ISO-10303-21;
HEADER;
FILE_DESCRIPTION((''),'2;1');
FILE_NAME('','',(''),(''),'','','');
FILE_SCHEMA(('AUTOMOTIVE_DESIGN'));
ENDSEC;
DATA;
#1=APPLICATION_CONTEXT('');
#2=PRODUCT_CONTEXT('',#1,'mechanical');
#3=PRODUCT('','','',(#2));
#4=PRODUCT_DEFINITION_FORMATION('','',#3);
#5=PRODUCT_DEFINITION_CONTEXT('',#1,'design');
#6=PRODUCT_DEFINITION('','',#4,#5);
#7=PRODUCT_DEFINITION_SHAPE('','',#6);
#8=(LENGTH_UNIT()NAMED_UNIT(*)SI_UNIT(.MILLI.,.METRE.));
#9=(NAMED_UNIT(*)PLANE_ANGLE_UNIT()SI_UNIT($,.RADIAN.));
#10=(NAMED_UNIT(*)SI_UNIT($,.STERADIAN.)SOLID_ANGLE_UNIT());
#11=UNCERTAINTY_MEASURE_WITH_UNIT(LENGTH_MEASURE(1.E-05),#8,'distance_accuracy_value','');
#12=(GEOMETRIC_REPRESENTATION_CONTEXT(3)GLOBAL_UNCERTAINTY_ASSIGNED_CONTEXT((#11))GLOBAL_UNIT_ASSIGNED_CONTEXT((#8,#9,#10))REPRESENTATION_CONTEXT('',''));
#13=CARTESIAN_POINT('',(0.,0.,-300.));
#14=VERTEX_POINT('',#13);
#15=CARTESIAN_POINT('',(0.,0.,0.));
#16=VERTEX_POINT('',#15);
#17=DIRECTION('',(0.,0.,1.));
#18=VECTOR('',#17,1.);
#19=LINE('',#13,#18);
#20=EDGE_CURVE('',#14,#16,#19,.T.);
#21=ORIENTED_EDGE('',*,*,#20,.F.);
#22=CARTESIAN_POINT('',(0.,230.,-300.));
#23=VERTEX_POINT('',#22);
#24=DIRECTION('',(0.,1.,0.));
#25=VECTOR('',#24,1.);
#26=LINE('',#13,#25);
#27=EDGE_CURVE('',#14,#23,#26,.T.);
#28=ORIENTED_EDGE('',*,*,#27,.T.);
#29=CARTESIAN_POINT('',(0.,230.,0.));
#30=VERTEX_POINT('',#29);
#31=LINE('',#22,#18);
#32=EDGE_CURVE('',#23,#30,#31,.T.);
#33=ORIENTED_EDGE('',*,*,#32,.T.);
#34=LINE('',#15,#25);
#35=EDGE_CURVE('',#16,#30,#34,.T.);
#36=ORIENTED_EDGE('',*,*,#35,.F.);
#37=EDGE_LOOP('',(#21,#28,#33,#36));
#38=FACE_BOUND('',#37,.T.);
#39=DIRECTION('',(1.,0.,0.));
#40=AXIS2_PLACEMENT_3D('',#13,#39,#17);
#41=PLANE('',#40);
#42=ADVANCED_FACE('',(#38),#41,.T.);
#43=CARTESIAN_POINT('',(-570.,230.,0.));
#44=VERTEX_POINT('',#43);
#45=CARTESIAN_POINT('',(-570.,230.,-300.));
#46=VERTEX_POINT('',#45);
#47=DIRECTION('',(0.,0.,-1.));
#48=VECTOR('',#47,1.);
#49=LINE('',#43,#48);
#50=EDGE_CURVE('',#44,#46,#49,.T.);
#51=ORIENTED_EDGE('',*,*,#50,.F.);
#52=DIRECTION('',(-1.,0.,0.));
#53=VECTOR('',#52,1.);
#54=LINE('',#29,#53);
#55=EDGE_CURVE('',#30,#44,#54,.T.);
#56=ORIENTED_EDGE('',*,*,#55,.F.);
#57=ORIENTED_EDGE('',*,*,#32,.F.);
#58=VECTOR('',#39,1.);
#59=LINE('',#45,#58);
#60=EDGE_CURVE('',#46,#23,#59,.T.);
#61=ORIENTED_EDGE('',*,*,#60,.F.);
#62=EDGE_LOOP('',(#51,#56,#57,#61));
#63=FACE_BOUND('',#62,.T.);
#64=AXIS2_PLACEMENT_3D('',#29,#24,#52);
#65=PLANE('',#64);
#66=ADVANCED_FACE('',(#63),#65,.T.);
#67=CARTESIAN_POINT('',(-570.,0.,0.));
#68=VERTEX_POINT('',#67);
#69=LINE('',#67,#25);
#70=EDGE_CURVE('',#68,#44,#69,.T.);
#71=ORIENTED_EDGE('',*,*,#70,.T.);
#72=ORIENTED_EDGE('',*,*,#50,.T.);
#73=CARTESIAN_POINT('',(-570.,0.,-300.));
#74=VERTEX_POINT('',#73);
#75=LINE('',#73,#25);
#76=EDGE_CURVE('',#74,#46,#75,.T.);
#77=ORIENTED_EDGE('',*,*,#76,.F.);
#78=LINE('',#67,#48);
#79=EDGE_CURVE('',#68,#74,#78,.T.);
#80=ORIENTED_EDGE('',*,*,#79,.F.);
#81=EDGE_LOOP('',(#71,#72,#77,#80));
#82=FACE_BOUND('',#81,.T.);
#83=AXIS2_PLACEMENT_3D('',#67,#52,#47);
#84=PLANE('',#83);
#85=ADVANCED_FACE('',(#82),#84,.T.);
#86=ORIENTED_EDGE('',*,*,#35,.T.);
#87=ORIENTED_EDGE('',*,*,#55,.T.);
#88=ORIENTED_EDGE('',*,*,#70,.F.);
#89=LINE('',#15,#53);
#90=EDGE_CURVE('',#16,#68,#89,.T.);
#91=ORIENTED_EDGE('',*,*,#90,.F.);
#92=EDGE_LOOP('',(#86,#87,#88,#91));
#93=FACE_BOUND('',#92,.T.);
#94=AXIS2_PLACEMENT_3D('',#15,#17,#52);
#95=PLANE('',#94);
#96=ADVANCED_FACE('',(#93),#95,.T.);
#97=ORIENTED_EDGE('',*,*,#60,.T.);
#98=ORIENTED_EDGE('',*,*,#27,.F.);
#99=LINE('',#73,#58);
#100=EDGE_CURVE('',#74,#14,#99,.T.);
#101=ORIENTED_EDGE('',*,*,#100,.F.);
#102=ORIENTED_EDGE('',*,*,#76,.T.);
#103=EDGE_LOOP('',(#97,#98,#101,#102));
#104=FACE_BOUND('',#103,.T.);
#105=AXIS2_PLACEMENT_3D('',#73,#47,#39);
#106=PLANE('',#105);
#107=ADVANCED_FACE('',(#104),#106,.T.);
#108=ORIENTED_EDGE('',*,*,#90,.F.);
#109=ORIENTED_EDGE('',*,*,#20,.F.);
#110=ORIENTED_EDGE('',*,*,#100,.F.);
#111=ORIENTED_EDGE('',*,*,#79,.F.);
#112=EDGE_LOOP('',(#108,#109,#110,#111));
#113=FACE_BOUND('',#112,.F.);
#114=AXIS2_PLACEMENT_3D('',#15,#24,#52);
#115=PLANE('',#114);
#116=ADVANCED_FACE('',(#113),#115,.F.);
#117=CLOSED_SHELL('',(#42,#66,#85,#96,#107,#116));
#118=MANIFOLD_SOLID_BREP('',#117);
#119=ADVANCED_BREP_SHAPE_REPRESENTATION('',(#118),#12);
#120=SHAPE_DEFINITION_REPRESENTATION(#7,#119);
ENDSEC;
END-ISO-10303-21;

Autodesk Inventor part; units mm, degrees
ref_plane "YZ Plane" through (0, 0, 0) normal (1, 0, 0) x (0, 1, 0)
ref_plane "XZ Plane" through (0, 0, 0) normal (0, 1, 0) x (-1, 0, 0)
ref_plane "XY Plane" through (0, 0, 0) normal (0, 0, 1) x (1, 0, 0)
sketch "Skizze1" plane through (0, 0, 0) normal (0, 1, 0) x (-1, 0, 0)
  line L0 (0, 0) -> (570, 0)
  line L1 (570, 0) -> (570, -300)
  line L2 (570, -300) -> (0, -300)
  line L3 (0, -300) -> (0, 0)
  dimension "d0" = 570
  dimension "d1" = 300
extrude "Extrusion1" add sketch "Skizze1" along normal blind 230
properties part number "MFH-Boxdummy"
